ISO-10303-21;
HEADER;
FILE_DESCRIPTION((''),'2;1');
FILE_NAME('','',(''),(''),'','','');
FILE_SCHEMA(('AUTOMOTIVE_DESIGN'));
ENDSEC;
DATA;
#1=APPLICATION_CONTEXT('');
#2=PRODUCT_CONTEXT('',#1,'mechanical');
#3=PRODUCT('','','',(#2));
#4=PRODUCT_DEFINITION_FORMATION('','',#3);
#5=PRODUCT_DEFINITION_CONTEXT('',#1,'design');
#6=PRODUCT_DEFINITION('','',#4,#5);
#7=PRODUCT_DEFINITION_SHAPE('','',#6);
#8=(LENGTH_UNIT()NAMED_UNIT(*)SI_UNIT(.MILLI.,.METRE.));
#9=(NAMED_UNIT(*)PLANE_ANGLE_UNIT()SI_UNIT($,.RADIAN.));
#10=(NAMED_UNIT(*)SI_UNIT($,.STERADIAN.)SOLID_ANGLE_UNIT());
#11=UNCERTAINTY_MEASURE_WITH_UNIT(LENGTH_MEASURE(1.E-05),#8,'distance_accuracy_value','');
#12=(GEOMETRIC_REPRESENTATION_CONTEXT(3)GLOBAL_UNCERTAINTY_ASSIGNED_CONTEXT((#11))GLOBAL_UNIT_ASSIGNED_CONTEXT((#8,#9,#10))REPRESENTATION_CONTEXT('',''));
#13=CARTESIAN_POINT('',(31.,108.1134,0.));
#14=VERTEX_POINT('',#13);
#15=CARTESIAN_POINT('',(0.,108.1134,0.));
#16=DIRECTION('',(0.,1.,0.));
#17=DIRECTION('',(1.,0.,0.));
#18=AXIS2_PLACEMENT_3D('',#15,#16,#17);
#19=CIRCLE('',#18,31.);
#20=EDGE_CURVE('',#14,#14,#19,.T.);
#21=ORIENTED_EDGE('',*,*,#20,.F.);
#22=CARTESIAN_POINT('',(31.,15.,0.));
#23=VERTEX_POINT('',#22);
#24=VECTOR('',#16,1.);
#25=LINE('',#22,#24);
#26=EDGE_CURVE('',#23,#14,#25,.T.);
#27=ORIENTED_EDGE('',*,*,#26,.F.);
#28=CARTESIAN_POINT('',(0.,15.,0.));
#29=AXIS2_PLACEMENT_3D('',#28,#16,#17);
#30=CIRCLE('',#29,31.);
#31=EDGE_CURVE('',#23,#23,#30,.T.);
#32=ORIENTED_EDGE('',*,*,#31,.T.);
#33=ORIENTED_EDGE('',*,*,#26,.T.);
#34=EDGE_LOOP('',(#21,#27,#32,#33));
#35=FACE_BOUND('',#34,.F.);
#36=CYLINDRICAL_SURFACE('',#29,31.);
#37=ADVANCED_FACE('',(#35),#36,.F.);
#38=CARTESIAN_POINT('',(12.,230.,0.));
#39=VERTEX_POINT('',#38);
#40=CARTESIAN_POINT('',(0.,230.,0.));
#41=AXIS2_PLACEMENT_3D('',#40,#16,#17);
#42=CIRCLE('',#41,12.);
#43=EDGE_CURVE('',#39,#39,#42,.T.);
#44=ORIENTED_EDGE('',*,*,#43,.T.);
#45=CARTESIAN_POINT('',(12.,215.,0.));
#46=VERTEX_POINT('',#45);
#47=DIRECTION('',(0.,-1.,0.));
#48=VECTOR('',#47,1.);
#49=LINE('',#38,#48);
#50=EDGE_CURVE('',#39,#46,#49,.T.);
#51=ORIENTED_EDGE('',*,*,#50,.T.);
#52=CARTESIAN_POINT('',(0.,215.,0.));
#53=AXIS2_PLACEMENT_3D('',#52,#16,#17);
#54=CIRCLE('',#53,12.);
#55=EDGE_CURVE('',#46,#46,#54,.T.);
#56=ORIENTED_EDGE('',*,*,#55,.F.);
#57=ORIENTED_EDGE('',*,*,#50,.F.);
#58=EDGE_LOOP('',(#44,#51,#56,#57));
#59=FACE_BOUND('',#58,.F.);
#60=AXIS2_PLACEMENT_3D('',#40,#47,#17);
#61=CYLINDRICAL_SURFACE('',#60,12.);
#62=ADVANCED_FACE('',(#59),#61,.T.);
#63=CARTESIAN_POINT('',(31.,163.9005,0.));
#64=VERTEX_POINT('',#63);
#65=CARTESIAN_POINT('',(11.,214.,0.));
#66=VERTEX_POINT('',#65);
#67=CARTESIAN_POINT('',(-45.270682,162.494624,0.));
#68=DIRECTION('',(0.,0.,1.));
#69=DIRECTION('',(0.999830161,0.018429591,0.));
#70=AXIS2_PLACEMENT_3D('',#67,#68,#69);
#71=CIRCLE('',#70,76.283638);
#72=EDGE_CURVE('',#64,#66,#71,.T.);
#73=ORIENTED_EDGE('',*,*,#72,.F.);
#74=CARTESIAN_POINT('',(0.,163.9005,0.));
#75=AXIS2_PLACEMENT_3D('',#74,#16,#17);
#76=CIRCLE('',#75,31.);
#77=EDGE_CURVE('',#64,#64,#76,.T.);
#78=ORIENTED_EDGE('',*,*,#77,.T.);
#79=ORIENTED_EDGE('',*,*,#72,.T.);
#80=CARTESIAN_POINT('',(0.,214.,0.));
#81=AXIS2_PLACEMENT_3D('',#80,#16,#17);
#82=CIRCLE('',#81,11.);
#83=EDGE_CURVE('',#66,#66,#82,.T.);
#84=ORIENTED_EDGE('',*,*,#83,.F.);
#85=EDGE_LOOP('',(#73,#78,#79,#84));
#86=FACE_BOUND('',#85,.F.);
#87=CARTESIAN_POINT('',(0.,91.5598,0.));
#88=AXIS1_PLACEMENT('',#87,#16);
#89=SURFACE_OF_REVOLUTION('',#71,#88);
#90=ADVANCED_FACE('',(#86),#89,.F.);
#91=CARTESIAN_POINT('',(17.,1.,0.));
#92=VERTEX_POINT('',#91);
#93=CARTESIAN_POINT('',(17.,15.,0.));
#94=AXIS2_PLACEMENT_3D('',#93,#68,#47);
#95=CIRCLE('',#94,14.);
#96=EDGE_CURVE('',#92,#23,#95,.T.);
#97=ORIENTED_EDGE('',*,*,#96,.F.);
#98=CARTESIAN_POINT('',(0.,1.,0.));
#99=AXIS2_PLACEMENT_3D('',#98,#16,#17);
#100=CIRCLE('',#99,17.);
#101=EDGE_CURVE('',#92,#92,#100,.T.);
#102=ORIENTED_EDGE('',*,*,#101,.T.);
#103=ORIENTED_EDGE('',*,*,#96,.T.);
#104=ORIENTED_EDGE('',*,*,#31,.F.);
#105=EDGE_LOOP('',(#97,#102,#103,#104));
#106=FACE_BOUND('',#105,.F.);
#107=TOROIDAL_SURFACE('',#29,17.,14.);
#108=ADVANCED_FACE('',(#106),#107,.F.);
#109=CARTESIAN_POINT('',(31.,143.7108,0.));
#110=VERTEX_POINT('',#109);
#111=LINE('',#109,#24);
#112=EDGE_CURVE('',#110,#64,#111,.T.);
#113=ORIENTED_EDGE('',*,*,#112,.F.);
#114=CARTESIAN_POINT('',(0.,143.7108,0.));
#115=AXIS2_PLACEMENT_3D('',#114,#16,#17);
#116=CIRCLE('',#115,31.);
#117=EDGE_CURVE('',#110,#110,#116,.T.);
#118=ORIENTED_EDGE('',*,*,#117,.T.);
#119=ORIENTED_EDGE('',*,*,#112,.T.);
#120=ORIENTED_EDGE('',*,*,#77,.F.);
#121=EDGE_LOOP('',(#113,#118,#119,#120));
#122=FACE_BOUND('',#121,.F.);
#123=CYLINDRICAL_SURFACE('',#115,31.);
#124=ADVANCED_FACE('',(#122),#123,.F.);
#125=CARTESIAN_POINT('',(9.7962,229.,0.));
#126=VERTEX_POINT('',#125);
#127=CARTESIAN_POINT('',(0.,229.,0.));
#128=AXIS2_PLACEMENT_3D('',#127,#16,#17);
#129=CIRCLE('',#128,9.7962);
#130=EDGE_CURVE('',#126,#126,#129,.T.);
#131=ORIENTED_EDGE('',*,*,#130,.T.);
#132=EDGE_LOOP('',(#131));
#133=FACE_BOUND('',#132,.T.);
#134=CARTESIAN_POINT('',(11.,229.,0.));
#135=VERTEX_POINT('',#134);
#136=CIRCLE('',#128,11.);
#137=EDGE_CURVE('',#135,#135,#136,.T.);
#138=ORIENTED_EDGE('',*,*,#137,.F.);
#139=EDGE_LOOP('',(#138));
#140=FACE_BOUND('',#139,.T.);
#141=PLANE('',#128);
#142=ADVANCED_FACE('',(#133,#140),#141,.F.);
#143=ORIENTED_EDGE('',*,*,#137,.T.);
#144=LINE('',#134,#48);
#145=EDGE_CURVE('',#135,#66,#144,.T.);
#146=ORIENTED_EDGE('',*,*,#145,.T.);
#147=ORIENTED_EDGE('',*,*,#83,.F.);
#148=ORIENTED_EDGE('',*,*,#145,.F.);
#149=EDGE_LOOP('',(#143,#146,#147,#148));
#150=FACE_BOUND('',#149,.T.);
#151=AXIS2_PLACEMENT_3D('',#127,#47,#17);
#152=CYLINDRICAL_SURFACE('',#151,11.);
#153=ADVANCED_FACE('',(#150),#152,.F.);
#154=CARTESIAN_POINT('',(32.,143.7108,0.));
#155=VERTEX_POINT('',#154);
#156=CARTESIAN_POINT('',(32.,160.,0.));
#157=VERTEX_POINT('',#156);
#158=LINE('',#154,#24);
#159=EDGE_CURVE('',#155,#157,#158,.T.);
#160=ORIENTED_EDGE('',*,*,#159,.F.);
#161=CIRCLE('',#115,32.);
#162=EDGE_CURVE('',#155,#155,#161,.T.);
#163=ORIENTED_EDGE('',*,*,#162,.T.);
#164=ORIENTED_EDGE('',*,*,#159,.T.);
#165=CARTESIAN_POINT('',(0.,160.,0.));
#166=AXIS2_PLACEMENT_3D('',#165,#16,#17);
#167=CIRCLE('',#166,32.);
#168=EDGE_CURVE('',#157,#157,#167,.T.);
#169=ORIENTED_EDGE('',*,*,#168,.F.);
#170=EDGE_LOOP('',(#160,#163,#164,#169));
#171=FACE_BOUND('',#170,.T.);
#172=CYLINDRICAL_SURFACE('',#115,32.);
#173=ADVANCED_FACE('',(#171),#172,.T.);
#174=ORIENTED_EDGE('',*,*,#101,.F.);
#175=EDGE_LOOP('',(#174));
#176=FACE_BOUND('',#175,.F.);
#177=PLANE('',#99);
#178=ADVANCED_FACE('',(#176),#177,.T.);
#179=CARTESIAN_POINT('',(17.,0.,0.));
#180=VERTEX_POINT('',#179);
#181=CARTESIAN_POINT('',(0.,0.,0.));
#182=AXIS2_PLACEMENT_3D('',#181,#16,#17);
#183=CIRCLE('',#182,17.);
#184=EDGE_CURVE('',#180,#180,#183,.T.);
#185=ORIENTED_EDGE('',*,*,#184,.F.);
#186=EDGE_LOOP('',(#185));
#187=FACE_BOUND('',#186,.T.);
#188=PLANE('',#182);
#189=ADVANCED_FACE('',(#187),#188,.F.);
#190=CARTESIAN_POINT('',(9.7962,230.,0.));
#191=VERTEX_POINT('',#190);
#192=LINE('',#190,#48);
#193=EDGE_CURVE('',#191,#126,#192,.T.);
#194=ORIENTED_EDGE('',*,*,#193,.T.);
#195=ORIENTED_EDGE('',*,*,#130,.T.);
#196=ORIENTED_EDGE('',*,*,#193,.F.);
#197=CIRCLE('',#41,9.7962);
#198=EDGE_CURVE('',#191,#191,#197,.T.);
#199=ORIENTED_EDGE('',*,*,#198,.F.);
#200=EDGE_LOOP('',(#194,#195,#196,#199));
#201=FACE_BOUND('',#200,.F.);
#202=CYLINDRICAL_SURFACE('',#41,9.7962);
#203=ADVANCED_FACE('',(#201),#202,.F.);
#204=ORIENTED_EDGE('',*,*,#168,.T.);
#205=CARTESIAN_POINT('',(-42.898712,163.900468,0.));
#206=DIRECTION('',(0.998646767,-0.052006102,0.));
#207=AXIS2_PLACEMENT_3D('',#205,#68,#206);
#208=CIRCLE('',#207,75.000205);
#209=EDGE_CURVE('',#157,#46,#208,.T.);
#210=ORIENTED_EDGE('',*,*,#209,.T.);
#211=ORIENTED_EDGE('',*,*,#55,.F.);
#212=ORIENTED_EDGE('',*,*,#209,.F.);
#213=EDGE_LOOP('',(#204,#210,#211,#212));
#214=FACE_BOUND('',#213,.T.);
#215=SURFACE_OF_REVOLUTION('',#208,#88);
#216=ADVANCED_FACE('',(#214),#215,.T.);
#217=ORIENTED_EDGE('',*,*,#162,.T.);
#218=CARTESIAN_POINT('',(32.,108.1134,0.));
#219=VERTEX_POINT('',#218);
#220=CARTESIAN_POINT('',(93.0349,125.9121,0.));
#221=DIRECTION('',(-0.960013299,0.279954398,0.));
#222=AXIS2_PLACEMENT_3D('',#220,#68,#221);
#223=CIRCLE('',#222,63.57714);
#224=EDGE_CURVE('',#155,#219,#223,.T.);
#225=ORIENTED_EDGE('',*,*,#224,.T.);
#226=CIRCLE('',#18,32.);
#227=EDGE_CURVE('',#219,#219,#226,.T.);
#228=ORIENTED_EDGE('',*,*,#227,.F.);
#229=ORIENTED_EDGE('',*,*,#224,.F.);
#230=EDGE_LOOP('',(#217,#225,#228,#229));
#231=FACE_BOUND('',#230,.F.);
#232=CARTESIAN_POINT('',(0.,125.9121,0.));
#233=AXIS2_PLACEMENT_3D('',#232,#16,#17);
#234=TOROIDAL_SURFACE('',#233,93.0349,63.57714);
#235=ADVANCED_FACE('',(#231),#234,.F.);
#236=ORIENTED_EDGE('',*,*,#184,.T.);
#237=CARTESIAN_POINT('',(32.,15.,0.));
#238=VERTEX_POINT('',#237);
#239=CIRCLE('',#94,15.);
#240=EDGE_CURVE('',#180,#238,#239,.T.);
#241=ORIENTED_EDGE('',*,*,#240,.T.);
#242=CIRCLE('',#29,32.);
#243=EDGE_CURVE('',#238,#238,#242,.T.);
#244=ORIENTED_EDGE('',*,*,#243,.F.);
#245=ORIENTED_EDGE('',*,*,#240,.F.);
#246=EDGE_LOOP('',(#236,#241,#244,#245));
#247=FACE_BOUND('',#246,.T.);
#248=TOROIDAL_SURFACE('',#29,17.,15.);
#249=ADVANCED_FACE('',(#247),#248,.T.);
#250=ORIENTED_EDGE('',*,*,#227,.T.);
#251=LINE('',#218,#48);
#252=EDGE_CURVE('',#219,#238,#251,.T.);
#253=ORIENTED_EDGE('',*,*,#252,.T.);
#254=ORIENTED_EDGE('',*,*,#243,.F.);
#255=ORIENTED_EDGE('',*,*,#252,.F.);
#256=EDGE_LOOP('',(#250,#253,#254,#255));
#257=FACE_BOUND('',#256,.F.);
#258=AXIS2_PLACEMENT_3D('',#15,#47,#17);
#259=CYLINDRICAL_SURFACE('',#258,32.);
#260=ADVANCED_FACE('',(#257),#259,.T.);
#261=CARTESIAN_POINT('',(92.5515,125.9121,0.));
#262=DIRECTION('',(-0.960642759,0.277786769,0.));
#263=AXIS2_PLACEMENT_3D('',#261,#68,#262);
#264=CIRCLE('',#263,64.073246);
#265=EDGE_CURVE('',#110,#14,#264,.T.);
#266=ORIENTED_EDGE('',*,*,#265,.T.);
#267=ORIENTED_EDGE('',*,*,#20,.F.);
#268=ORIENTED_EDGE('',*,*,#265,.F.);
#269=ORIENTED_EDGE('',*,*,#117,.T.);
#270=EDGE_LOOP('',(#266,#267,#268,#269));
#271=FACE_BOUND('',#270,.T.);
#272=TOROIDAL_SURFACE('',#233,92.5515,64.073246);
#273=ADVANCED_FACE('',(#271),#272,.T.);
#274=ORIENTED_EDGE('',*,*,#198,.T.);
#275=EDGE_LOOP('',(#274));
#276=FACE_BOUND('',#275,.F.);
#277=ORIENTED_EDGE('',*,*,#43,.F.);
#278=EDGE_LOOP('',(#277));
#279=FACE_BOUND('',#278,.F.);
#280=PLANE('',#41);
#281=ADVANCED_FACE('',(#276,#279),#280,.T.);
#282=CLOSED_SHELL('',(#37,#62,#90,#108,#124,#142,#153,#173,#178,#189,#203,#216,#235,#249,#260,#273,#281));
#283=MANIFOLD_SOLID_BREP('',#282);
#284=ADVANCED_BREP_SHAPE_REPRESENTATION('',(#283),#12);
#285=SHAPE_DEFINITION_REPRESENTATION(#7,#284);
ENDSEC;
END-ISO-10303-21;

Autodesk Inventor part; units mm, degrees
ref_plane "YZ Plane" through (0, 0, 0) normal (1, 0, 0) x (0, 1, 0)
ref_plane "XZ Plane" through (0, 0, 0) normal (0, 1, 0) x (-1, 0, 0)
ref_plane "XY Plane" through (0, 0, 0) normal (0, 0, 1) x (1, 0, 0)
sketch "Skizze1" plane through (0, 0, 0) normal (0, 0, 1) x (1, 0, 0)
  line L0 (0, 0) -> (17, 0)
  line L1 (0, 230) -> (12, 230)
  line L2 (12, 230) -> (12, 215)
  arc A0 (32, 160) -> (12, 215) centre (-42.8985, 163.9005) ccw
  arc A1 (17, 0) -> (32, 15) centre (17, 15) ccw
  arc A2 (32, 143.7108) -> (32, 108.1134) centre (93.0349, 125.9121) ccw
  line L3 (32, 143.7108) -> (32, 160)
  line L4 (32, 108.1134) -> (32, 15)
  line L5 (0, 0) -> (0, 1)
  line L6 (0, 1) -> (17, 1)
  arc A3 (17, 1) -> (31, 15) centre (17, 15) ccw
  line L7 (31, 15) -> (31, 108.1134)
  arc A4 (31, 143.7108) -> (31, 108.1134) centre (92.5515, 125.9121) ccw
  line L8 (31, 143.7108) -> (31, 163.9005)
  arc A5 (31, 163.9005) -> (11, 214) centre (-45.2708, 162.4946) ccw
  line L9 (0, 230) -> (0, 229)
  line L10 (0, 229) -> (11, 229)
  line L11 (11, 229) -> (11, 214)
  line L12 (0, 91.5598) -> (0, 132.9573)
  point P0 (32, 0)
  dimension "d0" = 32
  dimension "d1" = 160
  dimension "d3" = 230
  dimension "d4" = 12
  dimension "d5" = 15
  dimension "d6" = 75
  dimension "d7" = 15
  dimension "d9" = 63.5771
  dimension "d17" = 93.1134
  dimension "d18" = 1
  dimension "d19" = 1
  dimension "d20" = 11
revolve "Umdrehung2" add sketch "Skizze1" angle 360 about axis through (0, 91.5598, 0) along (0, 1, 0)
sketch "Skizze3" plane through (0, 230, 0) normal (0, 1, 0) x (1, 0, 0)
  circle A0 centre (0, 0) radius 9.7962
extrude "Extrusion2" cut sketch "Skizze3" against normal blind 75
properties part number "Flasche" material "Polycarbonat, klar"
